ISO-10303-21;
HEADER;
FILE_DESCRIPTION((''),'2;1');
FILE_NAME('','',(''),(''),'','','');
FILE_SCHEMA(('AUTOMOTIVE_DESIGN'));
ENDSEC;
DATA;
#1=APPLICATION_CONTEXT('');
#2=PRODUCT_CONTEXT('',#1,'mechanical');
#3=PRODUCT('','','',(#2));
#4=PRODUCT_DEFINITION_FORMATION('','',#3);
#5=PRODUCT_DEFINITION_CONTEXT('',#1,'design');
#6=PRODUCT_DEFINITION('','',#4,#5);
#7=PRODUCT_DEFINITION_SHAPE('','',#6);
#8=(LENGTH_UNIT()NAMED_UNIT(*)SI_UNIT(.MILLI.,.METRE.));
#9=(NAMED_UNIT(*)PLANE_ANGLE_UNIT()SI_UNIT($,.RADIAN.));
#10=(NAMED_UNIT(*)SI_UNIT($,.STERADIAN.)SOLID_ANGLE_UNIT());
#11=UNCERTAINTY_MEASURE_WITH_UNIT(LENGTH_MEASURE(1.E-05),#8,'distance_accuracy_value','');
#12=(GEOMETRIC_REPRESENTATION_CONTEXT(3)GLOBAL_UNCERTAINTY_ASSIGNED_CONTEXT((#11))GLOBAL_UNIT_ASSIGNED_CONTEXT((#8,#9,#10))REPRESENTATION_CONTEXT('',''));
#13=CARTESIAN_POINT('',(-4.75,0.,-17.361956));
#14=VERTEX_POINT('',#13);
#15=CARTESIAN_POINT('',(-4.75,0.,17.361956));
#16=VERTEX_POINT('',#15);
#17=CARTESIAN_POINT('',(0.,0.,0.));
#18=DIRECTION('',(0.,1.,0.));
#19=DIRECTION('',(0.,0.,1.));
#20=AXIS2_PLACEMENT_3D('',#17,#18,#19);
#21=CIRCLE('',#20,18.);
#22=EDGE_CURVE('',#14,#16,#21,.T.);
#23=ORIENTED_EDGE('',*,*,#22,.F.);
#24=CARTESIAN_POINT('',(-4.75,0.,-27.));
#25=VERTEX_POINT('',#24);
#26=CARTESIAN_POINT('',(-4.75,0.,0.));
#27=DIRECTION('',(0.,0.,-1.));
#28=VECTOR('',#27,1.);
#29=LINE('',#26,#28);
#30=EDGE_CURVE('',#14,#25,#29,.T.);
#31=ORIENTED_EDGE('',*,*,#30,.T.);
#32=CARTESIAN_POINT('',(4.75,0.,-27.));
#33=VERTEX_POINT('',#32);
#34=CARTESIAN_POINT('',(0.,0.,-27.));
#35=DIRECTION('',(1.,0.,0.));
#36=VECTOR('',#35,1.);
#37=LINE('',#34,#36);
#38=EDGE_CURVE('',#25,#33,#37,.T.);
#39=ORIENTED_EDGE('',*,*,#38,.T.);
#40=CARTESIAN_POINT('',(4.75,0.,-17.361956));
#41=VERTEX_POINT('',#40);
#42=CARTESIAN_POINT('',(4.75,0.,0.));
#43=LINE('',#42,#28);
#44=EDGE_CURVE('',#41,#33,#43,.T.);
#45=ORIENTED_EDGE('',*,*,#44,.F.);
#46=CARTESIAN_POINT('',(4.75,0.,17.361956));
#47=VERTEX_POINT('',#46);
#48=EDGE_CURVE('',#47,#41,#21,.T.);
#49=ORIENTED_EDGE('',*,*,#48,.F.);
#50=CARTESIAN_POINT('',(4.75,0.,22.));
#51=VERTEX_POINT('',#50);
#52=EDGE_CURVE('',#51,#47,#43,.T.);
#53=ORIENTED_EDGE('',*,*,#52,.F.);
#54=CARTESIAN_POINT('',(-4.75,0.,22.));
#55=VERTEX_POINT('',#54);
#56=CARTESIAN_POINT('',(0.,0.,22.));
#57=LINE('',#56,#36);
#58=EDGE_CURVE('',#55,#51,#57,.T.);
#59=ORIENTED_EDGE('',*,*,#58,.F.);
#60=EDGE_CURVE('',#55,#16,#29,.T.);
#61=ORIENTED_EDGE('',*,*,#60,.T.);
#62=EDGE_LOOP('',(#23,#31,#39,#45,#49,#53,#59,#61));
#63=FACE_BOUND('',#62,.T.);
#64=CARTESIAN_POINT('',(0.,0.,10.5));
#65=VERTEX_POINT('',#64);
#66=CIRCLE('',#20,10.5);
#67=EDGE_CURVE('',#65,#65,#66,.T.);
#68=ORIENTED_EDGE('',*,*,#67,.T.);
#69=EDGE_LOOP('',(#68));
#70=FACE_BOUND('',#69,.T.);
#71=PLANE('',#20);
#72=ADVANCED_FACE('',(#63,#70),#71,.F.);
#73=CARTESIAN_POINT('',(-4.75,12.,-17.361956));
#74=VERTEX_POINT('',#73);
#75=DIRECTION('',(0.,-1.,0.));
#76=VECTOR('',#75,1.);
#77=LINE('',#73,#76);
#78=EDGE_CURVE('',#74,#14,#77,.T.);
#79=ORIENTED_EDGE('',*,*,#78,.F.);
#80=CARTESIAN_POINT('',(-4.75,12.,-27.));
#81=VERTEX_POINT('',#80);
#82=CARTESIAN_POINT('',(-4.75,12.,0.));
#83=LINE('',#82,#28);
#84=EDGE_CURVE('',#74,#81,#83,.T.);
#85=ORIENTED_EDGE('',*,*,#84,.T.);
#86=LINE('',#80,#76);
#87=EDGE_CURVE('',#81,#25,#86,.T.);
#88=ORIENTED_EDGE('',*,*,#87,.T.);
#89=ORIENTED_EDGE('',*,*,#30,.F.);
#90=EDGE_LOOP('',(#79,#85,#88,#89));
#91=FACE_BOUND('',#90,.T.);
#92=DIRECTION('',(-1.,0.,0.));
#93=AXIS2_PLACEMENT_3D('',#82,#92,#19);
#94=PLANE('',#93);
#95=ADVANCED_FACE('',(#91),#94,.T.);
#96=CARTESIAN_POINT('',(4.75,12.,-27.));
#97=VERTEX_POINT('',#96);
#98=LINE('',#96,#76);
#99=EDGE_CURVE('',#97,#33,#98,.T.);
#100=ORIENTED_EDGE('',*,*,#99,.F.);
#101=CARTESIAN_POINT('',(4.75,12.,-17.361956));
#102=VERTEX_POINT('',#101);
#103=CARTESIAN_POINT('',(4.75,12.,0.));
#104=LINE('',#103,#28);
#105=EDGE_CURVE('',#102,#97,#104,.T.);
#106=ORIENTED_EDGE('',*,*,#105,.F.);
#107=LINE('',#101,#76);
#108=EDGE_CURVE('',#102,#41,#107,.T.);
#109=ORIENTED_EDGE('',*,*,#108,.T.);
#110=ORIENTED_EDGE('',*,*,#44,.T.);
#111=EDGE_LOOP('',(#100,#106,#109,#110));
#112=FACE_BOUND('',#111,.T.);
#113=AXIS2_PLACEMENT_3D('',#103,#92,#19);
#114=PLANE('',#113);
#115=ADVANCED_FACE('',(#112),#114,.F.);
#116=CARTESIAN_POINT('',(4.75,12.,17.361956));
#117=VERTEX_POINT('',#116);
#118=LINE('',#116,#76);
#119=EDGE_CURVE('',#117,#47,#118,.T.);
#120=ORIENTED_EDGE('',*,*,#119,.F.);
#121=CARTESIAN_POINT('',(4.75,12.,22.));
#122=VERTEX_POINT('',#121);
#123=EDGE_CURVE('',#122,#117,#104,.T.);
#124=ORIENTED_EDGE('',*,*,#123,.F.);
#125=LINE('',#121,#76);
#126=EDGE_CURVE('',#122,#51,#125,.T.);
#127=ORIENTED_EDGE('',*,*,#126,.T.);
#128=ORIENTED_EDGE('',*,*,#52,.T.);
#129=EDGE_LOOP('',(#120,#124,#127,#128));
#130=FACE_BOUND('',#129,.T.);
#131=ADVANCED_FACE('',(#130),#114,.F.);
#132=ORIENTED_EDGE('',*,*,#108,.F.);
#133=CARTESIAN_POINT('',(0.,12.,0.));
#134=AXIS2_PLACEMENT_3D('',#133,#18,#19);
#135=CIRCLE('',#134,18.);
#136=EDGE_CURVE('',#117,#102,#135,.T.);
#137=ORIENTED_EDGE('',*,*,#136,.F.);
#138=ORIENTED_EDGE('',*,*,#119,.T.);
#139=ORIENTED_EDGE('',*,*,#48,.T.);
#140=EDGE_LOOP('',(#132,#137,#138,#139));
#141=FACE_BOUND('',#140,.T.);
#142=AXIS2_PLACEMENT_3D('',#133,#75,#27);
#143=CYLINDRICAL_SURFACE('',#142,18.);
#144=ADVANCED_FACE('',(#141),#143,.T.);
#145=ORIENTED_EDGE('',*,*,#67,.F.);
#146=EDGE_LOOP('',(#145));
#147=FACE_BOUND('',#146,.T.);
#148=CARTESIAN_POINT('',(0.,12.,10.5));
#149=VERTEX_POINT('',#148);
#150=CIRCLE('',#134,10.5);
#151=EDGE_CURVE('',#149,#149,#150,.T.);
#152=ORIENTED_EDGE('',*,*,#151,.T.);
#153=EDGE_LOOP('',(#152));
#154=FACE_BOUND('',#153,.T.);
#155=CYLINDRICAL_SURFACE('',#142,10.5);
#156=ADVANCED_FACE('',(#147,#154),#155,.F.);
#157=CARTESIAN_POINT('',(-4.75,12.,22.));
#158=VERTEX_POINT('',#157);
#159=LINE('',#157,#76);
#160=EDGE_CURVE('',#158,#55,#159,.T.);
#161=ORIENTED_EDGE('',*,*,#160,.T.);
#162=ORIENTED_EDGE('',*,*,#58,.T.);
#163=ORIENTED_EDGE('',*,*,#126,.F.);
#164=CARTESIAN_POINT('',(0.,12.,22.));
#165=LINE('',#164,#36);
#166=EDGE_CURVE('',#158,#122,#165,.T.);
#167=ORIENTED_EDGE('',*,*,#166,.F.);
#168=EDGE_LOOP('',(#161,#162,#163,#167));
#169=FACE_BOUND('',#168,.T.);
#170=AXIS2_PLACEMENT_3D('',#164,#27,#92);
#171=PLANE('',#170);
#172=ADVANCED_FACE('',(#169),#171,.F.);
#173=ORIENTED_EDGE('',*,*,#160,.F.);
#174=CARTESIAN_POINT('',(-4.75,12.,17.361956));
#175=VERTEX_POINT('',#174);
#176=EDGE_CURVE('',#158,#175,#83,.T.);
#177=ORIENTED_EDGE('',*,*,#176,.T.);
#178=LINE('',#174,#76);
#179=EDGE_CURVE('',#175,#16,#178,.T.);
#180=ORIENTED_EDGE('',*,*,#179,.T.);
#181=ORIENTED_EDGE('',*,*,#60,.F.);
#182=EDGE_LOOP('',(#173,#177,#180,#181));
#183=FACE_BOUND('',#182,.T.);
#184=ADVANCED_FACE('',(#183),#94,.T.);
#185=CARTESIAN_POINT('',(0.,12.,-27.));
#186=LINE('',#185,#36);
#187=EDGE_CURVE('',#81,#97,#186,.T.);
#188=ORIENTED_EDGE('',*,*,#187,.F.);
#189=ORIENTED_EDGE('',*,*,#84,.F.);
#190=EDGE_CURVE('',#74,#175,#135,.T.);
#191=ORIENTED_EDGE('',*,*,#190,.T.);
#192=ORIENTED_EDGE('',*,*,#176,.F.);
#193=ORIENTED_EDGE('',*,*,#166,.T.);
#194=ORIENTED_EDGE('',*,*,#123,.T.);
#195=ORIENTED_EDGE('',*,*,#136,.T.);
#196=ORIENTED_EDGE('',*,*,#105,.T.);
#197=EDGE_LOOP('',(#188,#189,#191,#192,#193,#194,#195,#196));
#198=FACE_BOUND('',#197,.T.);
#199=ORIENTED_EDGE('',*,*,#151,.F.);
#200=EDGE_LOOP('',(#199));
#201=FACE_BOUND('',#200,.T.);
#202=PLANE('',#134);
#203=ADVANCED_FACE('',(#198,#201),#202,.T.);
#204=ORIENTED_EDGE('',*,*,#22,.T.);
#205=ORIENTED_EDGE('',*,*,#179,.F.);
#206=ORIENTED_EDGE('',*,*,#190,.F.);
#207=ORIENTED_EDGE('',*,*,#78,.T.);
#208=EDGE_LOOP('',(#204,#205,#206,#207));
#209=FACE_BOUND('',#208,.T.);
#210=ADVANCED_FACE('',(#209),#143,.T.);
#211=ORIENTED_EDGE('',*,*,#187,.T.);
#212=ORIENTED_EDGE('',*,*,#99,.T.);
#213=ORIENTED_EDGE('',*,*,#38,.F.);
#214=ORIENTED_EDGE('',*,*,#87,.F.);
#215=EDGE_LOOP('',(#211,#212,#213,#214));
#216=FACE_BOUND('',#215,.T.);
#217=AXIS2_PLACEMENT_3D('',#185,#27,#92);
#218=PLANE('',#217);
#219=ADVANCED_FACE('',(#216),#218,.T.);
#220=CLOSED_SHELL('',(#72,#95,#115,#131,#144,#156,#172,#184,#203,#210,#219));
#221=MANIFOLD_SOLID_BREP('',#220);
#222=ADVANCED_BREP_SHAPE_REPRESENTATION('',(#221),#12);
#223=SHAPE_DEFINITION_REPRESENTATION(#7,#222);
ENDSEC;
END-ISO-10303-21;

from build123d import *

# Parameters (mm, degrees)
ESQUISSE2_R        = 18
ESQUISSE2_R_2      = 10.5
BOSS_EXTRU_1_DEPTH = 12


with BuildPart() as part:
    # Esquisse2 → Boss.-Extru.1 (new body)
    with BuildSketch(Plane(origin=(0, 0, 0), x_dir=(1, 0, 0), z_dir=(0, 1, 0))):
        Circle(ESQUISSE2_R)
        with Locations(Location((0, 0, 0), (0, 0, 270))):  # turned: the seam where the file's is
            Circle(ESQUISSE2_R_2, mode=Mode.SUBTRACT)
        with BuildLine():
            Line((-4.75, -17.361955535), (-4.75, -22))
            Line((-4.75, -22), (4.75, -22))
            Line((4.75, -22), (4.75, -17.361955535))
            ThreePointArc((4.75, -17.361955535), (0, -18), (-4.75, -17.361955535))
        make_face()
        with BuildLine():
            Line((-4.75, 27), (-4.75, 17.361955535))
            ThreePointArc((-4.75, 17.361955535), (0, 18), (4.75, 17.361955535))
            Line((4.75, 17.361955535), (4.75, 27))
            Line((4.75, 27), (-4.75, 27))
        make_face()
    extrude(amount=BOSS_EXTRU_1_DEPTH)


solid = part.part
